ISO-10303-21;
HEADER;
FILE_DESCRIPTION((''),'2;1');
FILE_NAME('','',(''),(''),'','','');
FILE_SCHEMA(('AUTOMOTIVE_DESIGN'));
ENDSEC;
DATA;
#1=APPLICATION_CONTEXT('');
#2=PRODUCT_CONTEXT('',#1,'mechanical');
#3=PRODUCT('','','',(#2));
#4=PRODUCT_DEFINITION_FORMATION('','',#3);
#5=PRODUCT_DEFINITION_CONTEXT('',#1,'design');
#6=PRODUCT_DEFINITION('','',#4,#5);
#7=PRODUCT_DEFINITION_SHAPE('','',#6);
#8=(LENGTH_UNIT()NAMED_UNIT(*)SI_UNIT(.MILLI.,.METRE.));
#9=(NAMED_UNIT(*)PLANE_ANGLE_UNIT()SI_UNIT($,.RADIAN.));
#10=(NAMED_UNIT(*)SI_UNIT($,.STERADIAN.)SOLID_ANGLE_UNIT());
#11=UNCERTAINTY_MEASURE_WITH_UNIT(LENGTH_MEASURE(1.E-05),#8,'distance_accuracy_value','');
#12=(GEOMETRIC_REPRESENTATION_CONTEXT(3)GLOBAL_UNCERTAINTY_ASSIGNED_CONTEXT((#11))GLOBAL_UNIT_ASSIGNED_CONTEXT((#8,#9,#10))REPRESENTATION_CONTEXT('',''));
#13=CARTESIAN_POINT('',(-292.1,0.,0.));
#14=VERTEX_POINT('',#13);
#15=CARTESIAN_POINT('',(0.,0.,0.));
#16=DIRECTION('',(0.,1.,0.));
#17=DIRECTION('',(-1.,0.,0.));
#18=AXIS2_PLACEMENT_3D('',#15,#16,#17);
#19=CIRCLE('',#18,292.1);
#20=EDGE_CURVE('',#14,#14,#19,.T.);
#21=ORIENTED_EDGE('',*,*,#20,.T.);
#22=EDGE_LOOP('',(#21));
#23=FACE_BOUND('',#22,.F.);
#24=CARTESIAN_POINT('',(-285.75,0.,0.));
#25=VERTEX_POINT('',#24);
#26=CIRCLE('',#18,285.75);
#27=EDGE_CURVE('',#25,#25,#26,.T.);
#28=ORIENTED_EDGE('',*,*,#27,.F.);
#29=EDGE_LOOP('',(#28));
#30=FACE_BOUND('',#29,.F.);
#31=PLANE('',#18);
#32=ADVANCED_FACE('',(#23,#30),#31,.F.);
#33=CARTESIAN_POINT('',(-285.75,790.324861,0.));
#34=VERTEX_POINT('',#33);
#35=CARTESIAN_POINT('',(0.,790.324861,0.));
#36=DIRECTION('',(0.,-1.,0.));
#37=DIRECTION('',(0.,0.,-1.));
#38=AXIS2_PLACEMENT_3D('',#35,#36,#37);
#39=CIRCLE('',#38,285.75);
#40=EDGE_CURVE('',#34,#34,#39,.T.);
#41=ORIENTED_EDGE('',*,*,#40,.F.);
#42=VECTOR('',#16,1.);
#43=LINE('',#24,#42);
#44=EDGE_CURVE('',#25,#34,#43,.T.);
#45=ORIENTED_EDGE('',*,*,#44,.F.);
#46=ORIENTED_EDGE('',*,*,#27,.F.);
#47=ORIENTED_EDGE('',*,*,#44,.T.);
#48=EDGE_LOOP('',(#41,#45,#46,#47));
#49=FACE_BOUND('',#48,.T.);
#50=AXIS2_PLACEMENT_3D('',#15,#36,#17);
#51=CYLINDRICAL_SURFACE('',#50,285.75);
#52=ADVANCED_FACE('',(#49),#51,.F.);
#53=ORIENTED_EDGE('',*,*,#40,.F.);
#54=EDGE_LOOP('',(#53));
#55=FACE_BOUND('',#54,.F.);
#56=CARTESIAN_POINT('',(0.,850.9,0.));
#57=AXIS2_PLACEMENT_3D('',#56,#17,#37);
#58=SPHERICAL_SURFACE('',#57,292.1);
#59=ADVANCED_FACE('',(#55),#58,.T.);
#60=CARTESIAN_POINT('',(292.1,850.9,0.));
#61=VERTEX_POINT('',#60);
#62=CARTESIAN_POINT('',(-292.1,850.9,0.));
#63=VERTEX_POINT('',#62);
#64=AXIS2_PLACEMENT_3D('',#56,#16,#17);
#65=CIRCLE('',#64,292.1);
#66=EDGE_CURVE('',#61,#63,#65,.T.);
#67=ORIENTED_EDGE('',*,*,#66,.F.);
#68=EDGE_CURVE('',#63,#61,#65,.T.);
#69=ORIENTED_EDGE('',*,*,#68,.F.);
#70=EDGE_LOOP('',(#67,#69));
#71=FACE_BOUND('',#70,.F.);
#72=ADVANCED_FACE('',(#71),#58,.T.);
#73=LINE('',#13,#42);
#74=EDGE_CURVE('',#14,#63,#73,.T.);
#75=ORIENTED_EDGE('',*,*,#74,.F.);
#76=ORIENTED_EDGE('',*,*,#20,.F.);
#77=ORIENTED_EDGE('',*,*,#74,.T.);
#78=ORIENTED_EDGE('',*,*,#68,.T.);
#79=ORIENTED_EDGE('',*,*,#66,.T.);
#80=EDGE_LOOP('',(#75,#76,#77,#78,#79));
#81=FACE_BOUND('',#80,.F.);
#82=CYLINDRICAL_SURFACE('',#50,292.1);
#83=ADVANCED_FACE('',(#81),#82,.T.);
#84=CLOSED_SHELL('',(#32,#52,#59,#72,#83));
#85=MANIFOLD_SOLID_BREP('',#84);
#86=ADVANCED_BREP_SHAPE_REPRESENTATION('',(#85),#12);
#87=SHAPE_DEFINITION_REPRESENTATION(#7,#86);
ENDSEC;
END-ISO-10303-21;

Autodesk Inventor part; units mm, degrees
ref_plane "YZ Plane" through (0, 0, 0) normal (1, 0, 0) x (0, 1, 0)
ref_plane "XZ Plane" through (0, 0, 0) normal (0, 1, 0) x (-1, 0, 0)
ref_plane "XY Plane" through (0, 0, 0) normal (0, 0, 1) x (1, 0, 0)
sketch "Sketch1" plane through (0, 0, 0) normal (0, 1, 0) x (-1, 0, 0)
  circle A0 centre (0, 0) radius 285.75
  circle A1 centre (0, 0) radius 292.1
  dimension "d0" = 571.5
  dimension "d1" = 584.2
extrude "Extrusion1" add sketch "Sketch1" along normal blind 850.9
sketch "Sketch2" plane through (0, 850.9, 0) normal (0, 1, 0) x (1, 0, 0)
  circle A0 centre (0, 0) radius 292.1 projected
  arc A1 (-292.1, 0) -> (292.1, 0) centre (0, 0) ccw
  circle A2 centre (0, 0) radius 285.75 projected
  line L0 (-292.1, 0) -> (292.1, 0)
revolve "Revolution1" add sketch "Sketch2" angle 360 about axis through (-292.1, 850.9, 0) along (1, 0, 0) picked at (-284.3769, 55.6058) picked at (58.1784, 83.0313) contours L0 A2 A0 | L0 A2
properties part number "Dhgester"
